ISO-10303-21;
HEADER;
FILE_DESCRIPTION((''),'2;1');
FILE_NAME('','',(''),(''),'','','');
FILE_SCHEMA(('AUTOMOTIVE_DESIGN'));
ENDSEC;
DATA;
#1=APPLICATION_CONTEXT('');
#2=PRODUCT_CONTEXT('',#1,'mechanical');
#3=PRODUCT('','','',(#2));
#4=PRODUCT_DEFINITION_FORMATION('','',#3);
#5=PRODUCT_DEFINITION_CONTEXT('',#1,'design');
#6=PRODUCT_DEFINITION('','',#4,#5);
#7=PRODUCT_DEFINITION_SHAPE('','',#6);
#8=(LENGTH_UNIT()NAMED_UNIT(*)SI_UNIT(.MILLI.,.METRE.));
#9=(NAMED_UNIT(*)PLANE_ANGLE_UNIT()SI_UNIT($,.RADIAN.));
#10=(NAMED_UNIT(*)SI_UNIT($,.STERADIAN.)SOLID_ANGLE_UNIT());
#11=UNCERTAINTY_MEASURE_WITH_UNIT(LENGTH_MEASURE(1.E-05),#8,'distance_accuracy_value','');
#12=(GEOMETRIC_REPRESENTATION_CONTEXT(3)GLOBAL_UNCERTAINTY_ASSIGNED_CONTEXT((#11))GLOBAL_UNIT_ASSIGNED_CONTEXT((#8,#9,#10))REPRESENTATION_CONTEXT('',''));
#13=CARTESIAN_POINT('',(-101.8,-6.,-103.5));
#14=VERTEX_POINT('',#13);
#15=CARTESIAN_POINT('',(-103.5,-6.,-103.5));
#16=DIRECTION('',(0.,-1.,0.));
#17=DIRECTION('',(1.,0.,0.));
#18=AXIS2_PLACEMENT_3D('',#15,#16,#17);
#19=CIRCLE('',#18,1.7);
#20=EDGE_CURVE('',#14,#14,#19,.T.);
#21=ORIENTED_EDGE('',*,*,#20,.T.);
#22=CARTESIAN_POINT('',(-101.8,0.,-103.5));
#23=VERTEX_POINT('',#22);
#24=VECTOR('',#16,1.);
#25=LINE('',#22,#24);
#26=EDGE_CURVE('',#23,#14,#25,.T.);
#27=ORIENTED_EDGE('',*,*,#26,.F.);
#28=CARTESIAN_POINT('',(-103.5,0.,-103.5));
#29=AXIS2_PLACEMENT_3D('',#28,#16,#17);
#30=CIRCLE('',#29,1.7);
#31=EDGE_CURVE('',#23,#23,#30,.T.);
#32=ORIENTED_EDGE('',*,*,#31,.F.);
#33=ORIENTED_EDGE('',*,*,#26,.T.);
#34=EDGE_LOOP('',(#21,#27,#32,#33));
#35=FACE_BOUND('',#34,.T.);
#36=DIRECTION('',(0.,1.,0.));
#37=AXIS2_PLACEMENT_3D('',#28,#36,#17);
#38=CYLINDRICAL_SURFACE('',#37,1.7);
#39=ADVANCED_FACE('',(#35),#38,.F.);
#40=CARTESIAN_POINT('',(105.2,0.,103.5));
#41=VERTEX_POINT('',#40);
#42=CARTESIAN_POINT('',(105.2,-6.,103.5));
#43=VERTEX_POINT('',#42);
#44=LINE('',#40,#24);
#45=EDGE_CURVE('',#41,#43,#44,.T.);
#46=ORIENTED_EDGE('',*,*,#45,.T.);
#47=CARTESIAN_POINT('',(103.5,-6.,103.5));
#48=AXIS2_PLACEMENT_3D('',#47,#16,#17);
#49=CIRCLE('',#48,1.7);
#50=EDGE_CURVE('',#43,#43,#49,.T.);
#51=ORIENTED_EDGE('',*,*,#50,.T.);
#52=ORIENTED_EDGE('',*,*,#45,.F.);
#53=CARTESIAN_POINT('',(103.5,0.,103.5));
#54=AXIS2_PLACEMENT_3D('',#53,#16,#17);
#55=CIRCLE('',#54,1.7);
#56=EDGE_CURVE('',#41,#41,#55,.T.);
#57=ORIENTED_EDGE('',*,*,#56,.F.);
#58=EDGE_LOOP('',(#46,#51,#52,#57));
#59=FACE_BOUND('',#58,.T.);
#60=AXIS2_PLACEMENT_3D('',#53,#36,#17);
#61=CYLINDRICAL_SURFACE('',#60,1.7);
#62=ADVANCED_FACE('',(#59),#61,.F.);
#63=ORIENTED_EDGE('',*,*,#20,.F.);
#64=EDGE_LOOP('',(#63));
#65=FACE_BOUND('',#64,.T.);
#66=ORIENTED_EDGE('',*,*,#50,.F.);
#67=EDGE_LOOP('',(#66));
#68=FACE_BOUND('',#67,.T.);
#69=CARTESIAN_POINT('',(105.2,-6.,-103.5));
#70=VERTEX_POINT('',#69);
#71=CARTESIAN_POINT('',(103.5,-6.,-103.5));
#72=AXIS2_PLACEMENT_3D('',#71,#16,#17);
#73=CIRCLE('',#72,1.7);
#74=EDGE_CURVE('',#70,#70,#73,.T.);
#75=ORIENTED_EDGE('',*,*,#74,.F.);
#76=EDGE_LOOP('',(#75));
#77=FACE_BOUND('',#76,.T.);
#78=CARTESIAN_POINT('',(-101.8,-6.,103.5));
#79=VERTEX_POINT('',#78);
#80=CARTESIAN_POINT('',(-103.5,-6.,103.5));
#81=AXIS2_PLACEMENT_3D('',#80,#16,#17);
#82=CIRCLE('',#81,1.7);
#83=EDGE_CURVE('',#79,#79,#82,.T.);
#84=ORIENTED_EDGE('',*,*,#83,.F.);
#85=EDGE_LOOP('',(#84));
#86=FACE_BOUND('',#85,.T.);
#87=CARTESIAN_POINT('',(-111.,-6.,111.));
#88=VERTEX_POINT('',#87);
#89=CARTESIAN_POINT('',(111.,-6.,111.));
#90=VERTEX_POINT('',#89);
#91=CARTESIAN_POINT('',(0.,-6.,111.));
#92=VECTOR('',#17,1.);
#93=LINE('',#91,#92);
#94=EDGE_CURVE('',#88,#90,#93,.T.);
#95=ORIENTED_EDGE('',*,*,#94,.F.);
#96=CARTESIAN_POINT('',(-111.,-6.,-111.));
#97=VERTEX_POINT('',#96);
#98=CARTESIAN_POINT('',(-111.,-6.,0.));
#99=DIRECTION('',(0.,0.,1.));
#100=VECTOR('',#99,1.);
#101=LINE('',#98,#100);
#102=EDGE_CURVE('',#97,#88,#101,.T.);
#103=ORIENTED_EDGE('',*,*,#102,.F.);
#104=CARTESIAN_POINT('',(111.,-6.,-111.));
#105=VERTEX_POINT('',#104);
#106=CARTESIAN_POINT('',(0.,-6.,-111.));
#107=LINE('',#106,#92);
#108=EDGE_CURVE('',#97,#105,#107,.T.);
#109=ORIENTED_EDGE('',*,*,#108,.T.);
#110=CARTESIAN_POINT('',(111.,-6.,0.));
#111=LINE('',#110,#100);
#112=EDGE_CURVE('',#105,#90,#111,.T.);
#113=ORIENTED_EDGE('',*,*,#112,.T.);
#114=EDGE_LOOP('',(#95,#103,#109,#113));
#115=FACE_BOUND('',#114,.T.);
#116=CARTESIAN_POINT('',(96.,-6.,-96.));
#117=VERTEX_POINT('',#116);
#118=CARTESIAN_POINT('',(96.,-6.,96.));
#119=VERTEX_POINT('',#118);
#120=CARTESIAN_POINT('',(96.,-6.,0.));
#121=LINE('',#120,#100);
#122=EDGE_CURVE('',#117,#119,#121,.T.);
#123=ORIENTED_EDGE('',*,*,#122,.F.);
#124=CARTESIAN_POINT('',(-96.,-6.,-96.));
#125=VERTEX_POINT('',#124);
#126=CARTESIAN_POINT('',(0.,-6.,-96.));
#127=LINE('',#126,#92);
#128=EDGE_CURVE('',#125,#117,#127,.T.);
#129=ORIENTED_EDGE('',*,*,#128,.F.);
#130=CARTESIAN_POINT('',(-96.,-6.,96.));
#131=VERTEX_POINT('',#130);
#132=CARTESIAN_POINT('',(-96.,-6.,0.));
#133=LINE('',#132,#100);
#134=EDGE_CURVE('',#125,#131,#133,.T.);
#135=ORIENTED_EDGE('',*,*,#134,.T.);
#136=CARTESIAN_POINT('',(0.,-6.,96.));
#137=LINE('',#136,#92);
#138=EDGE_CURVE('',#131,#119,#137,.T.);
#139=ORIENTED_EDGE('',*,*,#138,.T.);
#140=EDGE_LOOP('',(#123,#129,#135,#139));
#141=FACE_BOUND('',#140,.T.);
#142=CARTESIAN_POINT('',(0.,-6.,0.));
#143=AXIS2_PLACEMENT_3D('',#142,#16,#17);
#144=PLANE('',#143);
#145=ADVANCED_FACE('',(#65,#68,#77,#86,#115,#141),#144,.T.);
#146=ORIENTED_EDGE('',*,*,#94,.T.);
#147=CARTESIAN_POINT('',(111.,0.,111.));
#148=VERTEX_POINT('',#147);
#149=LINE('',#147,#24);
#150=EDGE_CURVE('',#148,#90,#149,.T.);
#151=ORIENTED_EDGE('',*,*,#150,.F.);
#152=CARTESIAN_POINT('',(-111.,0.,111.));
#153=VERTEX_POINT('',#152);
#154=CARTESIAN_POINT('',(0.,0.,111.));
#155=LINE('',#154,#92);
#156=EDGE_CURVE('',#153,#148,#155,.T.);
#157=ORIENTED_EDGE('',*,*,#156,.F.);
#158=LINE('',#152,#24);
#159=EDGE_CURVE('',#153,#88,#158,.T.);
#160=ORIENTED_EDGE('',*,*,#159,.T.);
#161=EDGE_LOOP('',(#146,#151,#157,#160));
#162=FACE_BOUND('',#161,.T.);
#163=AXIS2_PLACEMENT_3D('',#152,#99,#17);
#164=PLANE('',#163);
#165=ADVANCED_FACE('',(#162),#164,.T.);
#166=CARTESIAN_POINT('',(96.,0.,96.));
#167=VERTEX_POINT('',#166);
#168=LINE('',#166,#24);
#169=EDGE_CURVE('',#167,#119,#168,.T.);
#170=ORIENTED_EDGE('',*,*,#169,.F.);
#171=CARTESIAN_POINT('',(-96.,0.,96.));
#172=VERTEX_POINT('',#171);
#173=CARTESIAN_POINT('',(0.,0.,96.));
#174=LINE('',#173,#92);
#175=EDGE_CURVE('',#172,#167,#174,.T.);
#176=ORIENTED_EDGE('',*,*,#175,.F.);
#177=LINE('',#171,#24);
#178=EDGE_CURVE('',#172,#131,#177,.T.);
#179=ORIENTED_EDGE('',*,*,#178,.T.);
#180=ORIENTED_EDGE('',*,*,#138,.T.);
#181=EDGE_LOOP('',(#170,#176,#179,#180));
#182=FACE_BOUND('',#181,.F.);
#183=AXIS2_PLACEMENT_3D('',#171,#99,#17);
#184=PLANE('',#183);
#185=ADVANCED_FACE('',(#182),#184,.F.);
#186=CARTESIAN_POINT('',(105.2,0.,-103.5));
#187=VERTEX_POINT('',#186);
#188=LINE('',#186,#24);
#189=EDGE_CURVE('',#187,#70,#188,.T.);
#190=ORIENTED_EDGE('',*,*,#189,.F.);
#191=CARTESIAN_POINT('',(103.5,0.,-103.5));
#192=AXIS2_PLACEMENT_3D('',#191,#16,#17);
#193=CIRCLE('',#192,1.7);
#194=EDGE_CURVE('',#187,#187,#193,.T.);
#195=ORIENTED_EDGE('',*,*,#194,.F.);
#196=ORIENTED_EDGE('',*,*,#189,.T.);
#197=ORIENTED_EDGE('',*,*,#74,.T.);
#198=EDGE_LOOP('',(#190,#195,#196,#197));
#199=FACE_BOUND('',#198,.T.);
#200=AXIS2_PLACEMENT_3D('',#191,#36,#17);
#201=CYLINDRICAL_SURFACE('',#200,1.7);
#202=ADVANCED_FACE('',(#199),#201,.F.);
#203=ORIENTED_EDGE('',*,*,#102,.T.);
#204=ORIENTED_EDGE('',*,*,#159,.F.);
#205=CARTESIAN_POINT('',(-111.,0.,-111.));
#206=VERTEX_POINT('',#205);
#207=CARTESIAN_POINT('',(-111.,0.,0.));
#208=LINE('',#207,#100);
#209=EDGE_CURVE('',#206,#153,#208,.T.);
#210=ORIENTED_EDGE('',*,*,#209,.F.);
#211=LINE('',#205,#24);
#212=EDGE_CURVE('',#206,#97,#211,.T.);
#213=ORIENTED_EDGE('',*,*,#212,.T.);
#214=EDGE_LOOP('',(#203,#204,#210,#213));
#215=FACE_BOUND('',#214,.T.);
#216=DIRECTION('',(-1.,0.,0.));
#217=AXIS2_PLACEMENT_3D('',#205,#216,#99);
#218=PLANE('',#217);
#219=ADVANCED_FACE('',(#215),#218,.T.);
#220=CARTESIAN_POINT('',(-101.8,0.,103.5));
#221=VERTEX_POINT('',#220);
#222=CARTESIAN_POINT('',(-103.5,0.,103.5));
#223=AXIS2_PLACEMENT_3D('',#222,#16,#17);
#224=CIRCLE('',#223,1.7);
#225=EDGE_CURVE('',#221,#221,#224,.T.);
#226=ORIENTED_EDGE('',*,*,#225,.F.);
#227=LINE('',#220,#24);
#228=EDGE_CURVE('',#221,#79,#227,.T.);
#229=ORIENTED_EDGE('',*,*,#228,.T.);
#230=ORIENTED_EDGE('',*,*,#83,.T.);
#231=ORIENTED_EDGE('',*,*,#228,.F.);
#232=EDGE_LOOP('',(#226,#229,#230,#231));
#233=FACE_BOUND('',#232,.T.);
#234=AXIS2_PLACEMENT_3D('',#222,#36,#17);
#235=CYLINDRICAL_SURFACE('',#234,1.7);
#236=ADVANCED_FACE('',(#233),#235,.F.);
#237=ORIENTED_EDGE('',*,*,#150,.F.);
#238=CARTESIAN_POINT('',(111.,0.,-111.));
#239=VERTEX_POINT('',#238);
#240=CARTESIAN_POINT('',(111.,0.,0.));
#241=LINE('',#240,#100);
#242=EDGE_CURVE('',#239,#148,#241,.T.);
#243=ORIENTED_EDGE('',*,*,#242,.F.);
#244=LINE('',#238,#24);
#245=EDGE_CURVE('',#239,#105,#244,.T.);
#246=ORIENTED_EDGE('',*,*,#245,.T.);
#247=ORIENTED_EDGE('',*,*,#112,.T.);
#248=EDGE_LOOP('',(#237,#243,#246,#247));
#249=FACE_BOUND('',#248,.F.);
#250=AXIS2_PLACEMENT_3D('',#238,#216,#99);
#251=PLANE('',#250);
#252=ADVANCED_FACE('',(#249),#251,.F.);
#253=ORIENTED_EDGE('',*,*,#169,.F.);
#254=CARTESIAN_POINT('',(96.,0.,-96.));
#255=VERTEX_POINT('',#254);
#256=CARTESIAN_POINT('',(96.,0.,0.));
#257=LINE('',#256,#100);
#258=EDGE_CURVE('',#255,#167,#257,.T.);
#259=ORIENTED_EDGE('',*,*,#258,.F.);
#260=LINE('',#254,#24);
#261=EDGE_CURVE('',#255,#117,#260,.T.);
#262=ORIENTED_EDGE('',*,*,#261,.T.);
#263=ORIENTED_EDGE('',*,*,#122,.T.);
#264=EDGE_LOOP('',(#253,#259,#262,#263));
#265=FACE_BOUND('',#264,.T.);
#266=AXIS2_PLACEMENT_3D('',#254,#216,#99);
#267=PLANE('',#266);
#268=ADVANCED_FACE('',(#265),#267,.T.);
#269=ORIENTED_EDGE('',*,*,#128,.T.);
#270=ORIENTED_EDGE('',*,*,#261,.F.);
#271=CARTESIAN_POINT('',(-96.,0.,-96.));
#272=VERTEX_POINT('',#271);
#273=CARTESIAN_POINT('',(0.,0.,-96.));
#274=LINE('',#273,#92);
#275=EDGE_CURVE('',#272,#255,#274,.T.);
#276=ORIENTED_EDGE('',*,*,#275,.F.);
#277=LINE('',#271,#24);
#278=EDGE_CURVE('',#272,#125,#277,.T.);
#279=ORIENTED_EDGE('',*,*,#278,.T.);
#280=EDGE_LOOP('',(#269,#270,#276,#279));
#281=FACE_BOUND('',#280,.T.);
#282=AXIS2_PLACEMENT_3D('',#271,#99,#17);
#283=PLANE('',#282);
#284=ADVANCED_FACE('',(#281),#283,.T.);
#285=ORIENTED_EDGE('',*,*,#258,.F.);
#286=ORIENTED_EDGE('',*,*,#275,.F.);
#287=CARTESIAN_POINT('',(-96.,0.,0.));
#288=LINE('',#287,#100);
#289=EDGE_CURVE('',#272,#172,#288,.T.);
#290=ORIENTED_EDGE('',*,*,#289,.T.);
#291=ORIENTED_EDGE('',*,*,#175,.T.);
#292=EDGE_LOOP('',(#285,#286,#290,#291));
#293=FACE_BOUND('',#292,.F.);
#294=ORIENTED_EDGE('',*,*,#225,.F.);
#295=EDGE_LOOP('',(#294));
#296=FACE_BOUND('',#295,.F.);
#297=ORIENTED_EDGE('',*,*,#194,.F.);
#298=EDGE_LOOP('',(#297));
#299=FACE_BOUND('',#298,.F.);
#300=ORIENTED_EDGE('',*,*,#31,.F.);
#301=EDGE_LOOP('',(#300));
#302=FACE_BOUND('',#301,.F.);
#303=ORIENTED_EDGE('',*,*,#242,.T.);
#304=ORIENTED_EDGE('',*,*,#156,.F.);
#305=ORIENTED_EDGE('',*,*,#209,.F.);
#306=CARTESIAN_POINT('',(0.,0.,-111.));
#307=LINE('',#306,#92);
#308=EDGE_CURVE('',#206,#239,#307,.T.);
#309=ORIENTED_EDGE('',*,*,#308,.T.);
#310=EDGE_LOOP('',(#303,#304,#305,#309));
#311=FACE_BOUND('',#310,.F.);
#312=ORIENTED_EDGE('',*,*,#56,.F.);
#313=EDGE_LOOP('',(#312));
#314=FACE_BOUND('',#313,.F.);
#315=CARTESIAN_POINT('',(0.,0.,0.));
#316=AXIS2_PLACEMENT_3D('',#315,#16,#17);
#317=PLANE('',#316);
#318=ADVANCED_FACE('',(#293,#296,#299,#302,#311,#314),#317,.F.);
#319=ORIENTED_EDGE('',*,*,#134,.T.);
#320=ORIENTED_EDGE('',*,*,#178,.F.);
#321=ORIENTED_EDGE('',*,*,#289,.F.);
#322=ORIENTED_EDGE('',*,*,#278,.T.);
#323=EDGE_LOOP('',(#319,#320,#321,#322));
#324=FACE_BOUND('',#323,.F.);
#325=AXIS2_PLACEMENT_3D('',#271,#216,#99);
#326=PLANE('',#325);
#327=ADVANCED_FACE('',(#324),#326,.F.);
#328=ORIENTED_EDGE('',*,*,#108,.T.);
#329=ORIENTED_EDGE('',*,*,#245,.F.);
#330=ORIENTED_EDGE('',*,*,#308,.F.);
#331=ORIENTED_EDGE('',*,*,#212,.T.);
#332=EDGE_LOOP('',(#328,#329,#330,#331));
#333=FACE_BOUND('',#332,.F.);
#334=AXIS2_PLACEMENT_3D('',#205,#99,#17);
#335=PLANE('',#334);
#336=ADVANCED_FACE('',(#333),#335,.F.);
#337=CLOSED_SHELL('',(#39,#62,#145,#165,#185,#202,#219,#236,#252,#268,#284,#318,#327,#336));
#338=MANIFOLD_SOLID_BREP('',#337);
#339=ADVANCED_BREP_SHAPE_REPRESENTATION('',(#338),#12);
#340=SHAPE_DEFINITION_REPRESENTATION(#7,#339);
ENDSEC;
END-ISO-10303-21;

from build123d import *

# Parameters (mm, degrees)
F0_W     = 222
F0_H     = 222
F0_R     = 1.7
F0_W_2   = 192
F0_H_2   = 192
F1_DEPTH = 6


with BuildPart() as f1:
    # F0 (on Front) → F1 (new body)
    with BuildSketch(Plane.XZ):
        Rectangle(F0_W, F0_H)
        with Locations((-103.5, -103.5)):
            Circle(F0_R, mode=Mode.SUBTRACT)
        with Locations((103.5, -103.5)):
            Circle(F0_R, mode=Mode.SUBTRACT)
        with Locations((-103.5, 103.5)):
            Circle(F0_R, mode=Mode.SUBTRACT)
        Rectangle(F0_W_2, F0_H_2, mode=Mode.SUBTRACT)
        with Locations((103.5, 103.5)):
            Circle(F0_R, mode=Mode.SUBTRACT)
    extrude(amount=F1_DEPTH)


solid = f1.part
